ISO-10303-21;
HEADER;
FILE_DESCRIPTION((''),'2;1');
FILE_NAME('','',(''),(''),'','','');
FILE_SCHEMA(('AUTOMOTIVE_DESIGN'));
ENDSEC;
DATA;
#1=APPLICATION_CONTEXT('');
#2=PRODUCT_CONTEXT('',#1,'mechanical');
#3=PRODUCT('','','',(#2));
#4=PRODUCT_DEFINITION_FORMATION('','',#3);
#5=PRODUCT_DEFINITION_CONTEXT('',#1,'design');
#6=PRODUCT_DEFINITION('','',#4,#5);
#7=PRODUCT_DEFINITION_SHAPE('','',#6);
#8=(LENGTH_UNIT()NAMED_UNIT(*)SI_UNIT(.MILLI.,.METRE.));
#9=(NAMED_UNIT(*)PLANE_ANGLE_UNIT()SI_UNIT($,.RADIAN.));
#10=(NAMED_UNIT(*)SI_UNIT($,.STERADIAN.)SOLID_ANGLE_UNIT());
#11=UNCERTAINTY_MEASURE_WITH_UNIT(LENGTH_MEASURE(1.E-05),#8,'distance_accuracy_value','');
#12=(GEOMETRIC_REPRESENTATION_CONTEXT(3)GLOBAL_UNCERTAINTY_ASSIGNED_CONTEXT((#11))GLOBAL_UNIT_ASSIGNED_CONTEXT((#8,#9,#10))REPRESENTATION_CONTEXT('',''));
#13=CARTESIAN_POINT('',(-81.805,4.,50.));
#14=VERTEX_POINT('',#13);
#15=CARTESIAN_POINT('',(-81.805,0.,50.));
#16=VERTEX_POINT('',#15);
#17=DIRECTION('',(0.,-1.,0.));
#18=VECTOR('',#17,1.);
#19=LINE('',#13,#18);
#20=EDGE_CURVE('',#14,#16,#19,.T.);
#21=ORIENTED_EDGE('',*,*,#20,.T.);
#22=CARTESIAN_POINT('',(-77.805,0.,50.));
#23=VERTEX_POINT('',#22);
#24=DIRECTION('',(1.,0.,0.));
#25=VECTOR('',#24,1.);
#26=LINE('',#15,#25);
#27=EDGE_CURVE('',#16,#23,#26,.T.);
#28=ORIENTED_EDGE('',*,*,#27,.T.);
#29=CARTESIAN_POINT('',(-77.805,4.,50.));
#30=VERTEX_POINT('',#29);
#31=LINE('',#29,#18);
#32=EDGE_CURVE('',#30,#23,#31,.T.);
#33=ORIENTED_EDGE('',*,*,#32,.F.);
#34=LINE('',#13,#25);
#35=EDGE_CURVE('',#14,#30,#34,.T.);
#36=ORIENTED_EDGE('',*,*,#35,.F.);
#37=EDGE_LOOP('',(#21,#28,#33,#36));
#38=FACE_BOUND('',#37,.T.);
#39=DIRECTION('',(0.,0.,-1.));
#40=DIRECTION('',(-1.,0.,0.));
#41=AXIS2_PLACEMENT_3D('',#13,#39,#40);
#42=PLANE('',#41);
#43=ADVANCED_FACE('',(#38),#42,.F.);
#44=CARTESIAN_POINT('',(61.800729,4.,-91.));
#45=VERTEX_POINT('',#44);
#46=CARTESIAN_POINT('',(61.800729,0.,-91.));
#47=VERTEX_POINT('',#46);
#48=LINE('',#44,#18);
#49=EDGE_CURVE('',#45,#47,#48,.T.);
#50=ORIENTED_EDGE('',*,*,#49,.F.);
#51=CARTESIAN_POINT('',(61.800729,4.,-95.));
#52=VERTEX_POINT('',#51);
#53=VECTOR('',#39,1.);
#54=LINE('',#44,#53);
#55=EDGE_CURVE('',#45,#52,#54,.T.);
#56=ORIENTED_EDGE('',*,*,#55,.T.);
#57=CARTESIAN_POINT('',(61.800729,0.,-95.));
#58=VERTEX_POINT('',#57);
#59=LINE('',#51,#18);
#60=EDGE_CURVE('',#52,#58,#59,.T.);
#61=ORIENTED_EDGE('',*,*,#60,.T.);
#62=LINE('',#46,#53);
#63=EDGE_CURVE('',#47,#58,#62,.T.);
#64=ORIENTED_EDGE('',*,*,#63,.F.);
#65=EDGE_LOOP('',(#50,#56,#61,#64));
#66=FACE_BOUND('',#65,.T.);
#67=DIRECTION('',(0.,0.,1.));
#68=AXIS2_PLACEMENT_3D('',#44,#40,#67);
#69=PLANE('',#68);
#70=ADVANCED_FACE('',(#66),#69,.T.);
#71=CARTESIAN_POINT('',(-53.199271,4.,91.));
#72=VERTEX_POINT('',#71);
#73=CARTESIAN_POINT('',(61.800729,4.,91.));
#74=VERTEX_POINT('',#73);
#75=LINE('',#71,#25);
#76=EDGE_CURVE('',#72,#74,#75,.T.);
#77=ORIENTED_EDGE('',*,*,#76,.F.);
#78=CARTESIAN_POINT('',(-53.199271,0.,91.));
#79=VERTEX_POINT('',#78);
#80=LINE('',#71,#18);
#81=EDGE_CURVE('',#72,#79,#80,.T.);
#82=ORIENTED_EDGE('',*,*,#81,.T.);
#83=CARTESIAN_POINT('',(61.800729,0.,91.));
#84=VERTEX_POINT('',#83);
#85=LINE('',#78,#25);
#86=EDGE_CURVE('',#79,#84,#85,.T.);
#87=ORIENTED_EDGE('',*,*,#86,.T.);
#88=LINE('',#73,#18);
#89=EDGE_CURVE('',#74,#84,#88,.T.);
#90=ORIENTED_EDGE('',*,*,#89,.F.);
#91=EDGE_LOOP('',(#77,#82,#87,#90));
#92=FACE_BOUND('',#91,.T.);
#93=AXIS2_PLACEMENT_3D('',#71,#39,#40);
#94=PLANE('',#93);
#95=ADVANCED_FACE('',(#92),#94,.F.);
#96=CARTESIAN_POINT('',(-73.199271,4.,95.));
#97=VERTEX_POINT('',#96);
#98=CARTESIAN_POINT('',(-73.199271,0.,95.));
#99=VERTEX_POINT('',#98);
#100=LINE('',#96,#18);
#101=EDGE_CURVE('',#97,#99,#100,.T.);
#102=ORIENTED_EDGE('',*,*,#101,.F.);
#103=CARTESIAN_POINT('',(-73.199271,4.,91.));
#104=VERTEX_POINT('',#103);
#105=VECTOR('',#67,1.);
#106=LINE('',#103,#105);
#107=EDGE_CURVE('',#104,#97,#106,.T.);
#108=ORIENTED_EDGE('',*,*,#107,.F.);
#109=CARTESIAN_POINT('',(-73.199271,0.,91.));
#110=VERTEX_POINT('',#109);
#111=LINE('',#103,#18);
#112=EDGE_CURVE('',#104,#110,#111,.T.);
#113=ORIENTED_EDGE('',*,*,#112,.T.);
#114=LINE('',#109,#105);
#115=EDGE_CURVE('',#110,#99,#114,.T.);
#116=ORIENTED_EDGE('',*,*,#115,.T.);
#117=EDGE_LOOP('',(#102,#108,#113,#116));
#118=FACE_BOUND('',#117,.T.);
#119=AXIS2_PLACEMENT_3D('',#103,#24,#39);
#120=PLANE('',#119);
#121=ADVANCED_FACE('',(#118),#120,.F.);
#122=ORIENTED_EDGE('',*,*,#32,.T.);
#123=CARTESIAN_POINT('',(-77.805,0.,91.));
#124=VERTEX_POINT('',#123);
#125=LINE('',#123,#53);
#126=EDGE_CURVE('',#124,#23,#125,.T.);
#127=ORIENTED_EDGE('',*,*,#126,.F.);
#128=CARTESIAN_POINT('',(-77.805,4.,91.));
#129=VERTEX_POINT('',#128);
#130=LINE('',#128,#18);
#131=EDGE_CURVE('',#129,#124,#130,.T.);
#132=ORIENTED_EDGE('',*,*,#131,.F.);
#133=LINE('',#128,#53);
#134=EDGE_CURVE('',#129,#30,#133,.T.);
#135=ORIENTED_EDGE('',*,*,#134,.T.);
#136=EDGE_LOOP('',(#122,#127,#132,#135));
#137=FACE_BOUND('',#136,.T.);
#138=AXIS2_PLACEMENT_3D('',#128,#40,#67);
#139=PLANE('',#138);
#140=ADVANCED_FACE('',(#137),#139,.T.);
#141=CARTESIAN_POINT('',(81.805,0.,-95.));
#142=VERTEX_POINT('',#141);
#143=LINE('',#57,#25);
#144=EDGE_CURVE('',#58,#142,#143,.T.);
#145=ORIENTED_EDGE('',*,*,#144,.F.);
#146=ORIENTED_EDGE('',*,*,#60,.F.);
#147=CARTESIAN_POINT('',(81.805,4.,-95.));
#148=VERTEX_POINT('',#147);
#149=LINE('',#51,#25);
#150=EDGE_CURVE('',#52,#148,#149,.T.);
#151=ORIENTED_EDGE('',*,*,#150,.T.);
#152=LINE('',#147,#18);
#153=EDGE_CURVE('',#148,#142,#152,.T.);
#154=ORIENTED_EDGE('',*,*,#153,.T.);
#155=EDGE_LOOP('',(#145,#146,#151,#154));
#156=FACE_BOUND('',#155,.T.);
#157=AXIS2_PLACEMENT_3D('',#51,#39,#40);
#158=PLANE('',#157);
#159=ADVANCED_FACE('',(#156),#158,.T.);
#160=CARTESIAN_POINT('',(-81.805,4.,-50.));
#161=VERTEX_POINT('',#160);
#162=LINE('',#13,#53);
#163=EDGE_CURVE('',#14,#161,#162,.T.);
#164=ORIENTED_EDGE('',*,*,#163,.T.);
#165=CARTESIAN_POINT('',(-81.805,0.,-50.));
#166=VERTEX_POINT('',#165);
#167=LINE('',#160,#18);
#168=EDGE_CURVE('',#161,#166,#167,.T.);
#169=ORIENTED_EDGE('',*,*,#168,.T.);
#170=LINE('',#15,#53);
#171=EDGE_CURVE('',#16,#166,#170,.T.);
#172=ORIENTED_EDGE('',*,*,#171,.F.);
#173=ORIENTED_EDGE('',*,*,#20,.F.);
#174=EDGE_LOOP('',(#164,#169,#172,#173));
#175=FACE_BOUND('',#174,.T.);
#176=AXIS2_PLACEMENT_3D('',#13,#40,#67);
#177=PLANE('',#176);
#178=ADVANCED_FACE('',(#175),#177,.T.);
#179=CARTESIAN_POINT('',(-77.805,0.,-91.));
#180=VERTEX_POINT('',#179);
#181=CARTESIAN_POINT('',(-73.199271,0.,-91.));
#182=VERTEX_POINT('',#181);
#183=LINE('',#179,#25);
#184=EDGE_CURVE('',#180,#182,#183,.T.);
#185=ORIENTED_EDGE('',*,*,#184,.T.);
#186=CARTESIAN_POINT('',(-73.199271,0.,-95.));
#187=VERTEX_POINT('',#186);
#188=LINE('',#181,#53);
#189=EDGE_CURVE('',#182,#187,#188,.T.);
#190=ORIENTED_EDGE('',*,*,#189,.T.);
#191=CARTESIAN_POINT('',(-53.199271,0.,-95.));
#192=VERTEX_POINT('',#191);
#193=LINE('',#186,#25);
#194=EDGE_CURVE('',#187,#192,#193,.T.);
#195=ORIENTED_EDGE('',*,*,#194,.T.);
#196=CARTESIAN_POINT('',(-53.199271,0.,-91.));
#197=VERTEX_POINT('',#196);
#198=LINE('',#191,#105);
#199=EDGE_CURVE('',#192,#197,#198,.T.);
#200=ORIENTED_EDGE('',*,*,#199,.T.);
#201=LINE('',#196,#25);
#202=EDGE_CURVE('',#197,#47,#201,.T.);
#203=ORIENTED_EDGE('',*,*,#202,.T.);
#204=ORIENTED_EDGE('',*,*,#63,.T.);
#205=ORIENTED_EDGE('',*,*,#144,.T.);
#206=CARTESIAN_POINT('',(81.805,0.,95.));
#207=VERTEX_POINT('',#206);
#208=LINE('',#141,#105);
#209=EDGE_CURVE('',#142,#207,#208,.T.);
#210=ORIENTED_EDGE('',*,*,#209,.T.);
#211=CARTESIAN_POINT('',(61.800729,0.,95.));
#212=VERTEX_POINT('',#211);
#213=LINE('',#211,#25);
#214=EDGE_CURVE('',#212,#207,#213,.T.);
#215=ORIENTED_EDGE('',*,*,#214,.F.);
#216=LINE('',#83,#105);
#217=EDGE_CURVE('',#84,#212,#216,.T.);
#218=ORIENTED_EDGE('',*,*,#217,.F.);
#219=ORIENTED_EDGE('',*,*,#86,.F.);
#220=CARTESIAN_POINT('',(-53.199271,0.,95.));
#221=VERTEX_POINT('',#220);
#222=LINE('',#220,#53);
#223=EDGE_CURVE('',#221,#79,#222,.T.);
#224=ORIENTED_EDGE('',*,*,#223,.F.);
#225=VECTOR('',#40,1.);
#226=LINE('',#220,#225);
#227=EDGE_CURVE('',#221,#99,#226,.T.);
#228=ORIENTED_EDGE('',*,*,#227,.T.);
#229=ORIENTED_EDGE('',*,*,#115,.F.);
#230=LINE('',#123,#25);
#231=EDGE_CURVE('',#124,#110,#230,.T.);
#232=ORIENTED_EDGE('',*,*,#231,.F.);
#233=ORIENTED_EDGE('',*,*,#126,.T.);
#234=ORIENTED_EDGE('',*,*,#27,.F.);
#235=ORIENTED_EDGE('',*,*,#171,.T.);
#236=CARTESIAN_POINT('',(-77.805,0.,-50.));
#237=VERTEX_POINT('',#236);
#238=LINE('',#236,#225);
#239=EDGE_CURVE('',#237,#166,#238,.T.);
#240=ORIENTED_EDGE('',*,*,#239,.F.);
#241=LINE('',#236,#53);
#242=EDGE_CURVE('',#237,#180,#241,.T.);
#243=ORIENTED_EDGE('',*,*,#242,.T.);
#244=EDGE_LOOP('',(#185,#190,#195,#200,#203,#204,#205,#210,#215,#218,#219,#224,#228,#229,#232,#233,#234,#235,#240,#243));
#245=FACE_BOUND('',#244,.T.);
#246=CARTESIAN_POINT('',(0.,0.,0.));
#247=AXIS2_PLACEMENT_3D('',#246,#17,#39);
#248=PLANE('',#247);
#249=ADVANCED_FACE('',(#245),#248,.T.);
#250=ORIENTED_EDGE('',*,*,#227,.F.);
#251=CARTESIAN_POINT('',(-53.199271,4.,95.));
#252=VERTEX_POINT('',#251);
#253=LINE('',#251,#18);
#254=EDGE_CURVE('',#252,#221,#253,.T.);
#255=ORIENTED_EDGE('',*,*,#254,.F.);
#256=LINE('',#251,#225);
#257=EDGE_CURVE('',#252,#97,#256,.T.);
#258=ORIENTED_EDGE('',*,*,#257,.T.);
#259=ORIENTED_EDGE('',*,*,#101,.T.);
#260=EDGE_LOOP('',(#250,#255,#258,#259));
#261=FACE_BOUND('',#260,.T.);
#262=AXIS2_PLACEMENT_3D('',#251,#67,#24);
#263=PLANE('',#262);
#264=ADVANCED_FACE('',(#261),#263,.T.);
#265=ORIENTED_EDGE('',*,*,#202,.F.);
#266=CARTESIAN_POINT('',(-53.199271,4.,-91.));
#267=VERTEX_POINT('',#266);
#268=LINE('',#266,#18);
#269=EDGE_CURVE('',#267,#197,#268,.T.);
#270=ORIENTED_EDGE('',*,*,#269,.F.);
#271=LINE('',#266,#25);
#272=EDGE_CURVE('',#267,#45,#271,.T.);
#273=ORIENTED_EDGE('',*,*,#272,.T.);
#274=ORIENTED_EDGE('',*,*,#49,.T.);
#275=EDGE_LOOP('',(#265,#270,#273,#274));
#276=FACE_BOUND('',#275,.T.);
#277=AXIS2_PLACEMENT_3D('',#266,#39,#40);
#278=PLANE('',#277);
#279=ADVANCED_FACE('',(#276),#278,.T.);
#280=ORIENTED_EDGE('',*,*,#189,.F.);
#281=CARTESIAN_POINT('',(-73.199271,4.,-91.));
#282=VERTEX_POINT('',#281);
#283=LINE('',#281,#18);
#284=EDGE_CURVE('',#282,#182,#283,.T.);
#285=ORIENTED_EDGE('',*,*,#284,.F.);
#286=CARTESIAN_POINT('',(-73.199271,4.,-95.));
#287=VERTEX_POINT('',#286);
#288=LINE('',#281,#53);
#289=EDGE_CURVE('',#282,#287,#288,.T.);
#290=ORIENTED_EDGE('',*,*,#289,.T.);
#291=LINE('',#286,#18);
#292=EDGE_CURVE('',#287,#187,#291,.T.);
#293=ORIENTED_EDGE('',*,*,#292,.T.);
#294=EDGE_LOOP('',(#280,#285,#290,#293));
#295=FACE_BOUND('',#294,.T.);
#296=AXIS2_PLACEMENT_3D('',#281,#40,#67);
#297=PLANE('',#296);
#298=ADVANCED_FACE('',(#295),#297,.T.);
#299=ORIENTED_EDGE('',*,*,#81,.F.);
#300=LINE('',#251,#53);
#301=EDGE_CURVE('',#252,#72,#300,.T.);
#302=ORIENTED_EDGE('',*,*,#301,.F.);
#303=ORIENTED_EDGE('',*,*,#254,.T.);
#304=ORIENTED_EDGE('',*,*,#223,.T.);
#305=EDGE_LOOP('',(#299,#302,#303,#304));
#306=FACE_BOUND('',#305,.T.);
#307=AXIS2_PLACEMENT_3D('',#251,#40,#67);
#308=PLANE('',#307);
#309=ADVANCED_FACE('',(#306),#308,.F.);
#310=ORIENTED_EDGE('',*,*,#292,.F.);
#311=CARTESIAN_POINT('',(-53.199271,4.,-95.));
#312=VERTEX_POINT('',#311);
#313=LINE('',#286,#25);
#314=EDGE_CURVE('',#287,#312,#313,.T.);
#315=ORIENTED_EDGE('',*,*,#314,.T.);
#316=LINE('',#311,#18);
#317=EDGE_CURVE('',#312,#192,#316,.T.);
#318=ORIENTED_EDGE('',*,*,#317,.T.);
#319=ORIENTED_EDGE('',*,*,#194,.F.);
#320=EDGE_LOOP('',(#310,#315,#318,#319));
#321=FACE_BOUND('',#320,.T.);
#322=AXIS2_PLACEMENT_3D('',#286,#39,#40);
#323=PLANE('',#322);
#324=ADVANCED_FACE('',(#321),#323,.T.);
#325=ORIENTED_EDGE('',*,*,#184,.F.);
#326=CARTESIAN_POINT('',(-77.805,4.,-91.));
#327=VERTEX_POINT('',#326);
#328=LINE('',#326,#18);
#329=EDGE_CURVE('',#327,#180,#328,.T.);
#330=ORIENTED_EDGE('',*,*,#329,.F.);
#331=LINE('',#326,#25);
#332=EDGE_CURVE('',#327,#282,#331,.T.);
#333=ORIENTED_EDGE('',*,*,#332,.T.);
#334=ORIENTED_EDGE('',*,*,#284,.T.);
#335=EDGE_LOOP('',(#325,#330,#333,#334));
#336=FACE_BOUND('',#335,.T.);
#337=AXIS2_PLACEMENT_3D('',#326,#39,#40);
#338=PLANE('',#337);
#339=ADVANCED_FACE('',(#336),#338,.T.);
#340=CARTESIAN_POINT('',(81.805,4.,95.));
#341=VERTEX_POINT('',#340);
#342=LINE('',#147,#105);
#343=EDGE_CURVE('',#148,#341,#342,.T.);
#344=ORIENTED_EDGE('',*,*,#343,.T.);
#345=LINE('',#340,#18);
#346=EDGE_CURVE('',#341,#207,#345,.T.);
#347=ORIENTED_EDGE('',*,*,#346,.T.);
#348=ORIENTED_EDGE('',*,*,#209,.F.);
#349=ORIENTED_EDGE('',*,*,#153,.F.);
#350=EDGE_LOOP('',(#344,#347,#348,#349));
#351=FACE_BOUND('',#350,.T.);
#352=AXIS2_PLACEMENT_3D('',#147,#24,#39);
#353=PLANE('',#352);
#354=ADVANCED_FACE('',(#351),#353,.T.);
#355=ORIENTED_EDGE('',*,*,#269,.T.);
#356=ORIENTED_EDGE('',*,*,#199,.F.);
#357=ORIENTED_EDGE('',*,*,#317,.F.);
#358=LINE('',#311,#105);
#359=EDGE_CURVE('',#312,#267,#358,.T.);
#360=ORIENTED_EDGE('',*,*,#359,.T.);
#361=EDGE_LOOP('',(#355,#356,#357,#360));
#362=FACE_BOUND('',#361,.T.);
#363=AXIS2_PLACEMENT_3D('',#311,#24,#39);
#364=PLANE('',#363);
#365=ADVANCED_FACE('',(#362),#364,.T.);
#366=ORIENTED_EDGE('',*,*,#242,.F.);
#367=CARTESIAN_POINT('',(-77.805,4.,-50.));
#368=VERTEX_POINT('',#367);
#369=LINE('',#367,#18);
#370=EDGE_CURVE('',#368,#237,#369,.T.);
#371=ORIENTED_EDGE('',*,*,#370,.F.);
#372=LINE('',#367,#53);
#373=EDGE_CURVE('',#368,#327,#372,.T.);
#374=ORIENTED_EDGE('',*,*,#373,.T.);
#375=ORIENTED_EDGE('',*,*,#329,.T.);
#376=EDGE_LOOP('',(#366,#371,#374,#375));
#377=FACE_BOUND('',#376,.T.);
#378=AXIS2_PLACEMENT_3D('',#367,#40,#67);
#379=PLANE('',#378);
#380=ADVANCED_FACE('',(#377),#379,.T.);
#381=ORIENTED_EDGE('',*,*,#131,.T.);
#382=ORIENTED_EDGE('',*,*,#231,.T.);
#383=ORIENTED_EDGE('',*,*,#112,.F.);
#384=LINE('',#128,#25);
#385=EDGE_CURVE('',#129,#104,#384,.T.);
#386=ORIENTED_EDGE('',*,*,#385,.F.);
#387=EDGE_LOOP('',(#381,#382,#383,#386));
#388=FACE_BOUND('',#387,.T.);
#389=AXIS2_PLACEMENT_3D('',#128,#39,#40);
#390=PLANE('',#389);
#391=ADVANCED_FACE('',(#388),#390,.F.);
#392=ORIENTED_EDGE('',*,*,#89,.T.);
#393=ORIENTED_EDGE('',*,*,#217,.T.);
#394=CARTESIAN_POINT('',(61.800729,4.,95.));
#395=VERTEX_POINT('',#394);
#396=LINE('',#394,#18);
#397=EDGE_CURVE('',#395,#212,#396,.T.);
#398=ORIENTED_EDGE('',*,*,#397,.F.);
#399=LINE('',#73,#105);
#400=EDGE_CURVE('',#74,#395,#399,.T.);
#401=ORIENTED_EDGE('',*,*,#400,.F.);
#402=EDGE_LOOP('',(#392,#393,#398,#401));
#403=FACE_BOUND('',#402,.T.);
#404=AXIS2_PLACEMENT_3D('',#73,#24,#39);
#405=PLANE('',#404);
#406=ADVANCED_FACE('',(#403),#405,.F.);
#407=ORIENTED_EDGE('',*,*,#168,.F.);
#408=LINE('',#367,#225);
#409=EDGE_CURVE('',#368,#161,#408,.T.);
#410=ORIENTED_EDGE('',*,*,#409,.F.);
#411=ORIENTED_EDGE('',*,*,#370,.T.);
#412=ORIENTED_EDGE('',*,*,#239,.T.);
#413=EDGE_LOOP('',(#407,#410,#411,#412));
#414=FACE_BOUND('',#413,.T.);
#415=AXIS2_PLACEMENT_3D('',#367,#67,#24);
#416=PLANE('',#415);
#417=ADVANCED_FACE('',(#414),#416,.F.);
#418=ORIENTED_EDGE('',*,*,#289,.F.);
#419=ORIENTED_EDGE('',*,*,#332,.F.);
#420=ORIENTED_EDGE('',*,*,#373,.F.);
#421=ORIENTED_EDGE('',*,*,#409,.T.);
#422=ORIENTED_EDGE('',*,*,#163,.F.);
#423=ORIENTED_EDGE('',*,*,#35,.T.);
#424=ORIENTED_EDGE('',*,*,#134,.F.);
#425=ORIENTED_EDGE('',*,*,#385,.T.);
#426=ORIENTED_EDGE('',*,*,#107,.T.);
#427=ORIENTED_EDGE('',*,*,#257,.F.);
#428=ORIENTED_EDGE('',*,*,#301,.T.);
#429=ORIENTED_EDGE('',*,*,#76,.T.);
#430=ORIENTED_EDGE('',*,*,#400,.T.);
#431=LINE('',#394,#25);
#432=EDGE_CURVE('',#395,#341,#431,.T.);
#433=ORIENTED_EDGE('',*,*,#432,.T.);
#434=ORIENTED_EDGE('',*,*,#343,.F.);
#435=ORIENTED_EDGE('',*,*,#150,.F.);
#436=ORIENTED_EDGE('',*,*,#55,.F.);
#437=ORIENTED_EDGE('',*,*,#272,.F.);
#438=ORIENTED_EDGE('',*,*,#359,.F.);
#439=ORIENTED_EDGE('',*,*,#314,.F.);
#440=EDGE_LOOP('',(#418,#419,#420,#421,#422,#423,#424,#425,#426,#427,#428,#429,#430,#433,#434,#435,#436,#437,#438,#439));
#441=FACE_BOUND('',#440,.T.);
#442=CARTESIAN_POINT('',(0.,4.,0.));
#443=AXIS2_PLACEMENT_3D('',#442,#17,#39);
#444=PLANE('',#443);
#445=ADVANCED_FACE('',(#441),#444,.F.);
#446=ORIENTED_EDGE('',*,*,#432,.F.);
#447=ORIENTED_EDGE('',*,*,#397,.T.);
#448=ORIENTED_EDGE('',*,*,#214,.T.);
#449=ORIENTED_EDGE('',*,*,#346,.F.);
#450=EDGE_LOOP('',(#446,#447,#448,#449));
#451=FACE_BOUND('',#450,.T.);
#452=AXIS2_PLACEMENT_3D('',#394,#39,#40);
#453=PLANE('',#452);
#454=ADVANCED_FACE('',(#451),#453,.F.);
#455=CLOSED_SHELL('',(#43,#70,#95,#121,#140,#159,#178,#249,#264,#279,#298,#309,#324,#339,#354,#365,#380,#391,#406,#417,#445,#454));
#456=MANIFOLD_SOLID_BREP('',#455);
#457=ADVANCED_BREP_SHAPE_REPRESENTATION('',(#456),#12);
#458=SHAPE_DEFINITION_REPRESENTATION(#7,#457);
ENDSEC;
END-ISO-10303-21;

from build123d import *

# Parameters (mm, degrees)
BOSS_EXTRUDE1_DEPTH = 4


with BuildPart() as part:
    # Sketch1 → Boss-Extrude1 (new body)
    with BuildSketch(Plane(origin=(0, 0, 0), x_dir=(1, 0, 0), z_dir=(0, 1, 0))):
        Polygon((-77.805, -91), (-73.199270762, -91), (-73.199270762, -95), (-53.199270762, -95), (-53.199270762, -91), (61.800729238, -91), (61.800729238, -95), (81.805, -95), (81.805, 95), (61.800729238, 95), (61.800729238, 91), (-53.199270762, 91), (-53.199270762, 95), (-73.199270762, 95), (-73.199270762, 91), (-77.805, 91), (-77.805, 50), (-81.805, 50), (-81.805, -50), (-77.805, -50), align=None)
    extrude(amount=BOSS_EXTRUDE1_DEPTH)


solid = part.part
